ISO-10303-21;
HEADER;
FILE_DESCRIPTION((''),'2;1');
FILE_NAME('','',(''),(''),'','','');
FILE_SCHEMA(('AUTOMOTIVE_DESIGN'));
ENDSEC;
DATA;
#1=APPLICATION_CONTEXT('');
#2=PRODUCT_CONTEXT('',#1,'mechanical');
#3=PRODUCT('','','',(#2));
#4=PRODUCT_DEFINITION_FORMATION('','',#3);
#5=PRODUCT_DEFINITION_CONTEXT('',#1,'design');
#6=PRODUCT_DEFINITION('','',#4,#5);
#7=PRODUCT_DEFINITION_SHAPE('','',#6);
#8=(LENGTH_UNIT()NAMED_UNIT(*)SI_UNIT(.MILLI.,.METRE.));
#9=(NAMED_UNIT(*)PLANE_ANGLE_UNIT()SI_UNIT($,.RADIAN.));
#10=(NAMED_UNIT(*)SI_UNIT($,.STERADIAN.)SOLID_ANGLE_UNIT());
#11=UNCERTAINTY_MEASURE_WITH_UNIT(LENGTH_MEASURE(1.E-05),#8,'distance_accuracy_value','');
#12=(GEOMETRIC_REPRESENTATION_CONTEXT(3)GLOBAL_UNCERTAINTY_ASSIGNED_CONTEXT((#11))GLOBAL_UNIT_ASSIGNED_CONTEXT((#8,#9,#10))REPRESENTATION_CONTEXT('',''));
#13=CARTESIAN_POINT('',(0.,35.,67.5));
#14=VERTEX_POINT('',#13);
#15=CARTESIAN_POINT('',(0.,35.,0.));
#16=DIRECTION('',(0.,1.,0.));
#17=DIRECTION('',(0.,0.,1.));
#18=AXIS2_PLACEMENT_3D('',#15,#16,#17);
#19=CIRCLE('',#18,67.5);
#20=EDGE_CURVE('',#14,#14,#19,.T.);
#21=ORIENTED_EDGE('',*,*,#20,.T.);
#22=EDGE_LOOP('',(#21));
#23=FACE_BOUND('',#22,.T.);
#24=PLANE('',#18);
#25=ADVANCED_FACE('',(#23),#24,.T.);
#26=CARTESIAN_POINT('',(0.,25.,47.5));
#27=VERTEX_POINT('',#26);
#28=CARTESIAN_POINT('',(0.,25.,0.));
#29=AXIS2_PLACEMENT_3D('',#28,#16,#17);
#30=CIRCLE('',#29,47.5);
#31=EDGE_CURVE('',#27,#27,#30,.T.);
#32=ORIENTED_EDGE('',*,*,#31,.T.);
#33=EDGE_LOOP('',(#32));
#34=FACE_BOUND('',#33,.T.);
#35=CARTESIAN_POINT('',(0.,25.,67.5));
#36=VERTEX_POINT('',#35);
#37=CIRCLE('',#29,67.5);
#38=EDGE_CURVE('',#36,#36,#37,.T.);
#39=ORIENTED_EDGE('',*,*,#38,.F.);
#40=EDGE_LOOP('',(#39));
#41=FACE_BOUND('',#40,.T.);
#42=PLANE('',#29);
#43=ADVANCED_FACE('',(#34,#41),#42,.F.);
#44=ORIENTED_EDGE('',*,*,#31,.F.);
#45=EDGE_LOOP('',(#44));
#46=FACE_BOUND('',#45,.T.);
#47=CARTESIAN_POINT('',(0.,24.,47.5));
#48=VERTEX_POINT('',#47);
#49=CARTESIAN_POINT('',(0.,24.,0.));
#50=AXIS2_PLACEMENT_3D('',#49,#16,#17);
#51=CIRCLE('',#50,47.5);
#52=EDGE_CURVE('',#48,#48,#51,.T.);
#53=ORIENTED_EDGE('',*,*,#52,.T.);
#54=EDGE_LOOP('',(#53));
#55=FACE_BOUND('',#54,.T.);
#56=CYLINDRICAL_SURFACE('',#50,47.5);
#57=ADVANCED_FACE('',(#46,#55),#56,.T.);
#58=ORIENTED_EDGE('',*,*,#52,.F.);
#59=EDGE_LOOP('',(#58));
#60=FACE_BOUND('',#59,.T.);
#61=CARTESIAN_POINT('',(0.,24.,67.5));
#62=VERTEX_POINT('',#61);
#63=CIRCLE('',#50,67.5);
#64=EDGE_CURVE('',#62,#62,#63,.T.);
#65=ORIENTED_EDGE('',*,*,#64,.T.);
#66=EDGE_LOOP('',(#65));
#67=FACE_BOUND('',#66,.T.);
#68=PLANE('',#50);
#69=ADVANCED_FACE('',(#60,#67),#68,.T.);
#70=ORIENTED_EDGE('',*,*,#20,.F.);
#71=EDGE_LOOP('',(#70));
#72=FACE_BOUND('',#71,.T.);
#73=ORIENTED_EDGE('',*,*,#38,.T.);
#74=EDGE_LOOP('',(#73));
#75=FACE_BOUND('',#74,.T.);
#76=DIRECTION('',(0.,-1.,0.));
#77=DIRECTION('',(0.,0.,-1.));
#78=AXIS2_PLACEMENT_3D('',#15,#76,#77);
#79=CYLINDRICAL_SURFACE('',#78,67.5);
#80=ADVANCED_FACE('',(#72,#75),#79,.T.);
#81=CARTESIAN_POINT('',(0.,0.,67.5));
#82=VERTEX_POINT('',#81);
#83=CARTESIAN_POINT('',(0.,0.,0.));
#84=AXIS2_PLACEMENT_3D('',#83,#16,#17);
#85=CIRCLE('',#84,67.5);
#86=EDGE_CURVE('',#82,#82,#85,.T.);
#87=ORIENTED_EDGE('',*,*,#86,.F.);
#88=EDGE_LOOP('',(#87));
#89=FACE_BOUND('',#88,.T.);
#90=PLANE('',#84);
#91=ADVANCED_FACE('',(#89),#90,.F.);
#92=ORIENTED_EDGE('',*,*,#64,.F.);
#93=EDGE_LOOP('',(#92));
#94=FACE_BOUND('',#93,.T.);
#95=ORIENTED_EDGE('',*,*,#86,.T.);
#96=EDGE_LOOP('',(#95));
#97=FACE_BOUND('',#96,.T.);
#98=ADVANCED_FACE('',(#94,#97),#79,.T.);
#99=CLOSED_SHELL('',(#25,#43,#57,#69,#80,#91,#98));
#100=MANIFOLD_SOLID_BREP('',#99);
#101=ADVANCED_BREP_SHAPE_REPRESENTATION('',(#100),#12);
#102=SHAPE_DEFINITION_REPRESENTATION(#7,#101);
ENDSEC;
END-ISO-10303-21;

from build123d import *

# Parameters (mm, degrees)
SKETCH1_R           = 67.5
BOSS_EXTRUDE1_DEPTH = 35
CUT_EXTRUDE1_START  = -11
SKETCH2_R           = 67.5
SKETCH2_R_2         = 47.5
CUT_EXTRUDE1_DEPTH  = 1


with BuildPart() as part:
    # Sketch1 → Boss-Extrude1 (new body)
    with BuildSketch(Plane(origin=(0, 0, 0), x_dir=(1, 0, 0), z_dir=(0, 1, 0))):
        with Locations(Location((0, 0, 0), (0, 0, 270))):
            Circle(SKETCH1_R)
    extrude(amount=BOSS_EXTRUDE1_DEPTH)

    # Sketch2 → Cut-Extrude1 (cut)
    with BuildSketch(Plane(origin=(0, 35, 0), x_dir=(1, 0, 0), z_dir=(0, 1, 0)).offset(CUT_EXTRUDE1_START)):
        with Locations(Location((0, 0, 0), (0, 0, 270))):
            Circle(SKETCH2_R)
        with Locations(Location((0, 0, 0), (0, 0, 270))):
            Circle(SKETCH2_R_2, mode=Mode.SUBTRACT)
    extrude(amount=CUT_EXTRUDE1_DEPTH, mode=Mode.SUBTRACT)


solid = part.part
